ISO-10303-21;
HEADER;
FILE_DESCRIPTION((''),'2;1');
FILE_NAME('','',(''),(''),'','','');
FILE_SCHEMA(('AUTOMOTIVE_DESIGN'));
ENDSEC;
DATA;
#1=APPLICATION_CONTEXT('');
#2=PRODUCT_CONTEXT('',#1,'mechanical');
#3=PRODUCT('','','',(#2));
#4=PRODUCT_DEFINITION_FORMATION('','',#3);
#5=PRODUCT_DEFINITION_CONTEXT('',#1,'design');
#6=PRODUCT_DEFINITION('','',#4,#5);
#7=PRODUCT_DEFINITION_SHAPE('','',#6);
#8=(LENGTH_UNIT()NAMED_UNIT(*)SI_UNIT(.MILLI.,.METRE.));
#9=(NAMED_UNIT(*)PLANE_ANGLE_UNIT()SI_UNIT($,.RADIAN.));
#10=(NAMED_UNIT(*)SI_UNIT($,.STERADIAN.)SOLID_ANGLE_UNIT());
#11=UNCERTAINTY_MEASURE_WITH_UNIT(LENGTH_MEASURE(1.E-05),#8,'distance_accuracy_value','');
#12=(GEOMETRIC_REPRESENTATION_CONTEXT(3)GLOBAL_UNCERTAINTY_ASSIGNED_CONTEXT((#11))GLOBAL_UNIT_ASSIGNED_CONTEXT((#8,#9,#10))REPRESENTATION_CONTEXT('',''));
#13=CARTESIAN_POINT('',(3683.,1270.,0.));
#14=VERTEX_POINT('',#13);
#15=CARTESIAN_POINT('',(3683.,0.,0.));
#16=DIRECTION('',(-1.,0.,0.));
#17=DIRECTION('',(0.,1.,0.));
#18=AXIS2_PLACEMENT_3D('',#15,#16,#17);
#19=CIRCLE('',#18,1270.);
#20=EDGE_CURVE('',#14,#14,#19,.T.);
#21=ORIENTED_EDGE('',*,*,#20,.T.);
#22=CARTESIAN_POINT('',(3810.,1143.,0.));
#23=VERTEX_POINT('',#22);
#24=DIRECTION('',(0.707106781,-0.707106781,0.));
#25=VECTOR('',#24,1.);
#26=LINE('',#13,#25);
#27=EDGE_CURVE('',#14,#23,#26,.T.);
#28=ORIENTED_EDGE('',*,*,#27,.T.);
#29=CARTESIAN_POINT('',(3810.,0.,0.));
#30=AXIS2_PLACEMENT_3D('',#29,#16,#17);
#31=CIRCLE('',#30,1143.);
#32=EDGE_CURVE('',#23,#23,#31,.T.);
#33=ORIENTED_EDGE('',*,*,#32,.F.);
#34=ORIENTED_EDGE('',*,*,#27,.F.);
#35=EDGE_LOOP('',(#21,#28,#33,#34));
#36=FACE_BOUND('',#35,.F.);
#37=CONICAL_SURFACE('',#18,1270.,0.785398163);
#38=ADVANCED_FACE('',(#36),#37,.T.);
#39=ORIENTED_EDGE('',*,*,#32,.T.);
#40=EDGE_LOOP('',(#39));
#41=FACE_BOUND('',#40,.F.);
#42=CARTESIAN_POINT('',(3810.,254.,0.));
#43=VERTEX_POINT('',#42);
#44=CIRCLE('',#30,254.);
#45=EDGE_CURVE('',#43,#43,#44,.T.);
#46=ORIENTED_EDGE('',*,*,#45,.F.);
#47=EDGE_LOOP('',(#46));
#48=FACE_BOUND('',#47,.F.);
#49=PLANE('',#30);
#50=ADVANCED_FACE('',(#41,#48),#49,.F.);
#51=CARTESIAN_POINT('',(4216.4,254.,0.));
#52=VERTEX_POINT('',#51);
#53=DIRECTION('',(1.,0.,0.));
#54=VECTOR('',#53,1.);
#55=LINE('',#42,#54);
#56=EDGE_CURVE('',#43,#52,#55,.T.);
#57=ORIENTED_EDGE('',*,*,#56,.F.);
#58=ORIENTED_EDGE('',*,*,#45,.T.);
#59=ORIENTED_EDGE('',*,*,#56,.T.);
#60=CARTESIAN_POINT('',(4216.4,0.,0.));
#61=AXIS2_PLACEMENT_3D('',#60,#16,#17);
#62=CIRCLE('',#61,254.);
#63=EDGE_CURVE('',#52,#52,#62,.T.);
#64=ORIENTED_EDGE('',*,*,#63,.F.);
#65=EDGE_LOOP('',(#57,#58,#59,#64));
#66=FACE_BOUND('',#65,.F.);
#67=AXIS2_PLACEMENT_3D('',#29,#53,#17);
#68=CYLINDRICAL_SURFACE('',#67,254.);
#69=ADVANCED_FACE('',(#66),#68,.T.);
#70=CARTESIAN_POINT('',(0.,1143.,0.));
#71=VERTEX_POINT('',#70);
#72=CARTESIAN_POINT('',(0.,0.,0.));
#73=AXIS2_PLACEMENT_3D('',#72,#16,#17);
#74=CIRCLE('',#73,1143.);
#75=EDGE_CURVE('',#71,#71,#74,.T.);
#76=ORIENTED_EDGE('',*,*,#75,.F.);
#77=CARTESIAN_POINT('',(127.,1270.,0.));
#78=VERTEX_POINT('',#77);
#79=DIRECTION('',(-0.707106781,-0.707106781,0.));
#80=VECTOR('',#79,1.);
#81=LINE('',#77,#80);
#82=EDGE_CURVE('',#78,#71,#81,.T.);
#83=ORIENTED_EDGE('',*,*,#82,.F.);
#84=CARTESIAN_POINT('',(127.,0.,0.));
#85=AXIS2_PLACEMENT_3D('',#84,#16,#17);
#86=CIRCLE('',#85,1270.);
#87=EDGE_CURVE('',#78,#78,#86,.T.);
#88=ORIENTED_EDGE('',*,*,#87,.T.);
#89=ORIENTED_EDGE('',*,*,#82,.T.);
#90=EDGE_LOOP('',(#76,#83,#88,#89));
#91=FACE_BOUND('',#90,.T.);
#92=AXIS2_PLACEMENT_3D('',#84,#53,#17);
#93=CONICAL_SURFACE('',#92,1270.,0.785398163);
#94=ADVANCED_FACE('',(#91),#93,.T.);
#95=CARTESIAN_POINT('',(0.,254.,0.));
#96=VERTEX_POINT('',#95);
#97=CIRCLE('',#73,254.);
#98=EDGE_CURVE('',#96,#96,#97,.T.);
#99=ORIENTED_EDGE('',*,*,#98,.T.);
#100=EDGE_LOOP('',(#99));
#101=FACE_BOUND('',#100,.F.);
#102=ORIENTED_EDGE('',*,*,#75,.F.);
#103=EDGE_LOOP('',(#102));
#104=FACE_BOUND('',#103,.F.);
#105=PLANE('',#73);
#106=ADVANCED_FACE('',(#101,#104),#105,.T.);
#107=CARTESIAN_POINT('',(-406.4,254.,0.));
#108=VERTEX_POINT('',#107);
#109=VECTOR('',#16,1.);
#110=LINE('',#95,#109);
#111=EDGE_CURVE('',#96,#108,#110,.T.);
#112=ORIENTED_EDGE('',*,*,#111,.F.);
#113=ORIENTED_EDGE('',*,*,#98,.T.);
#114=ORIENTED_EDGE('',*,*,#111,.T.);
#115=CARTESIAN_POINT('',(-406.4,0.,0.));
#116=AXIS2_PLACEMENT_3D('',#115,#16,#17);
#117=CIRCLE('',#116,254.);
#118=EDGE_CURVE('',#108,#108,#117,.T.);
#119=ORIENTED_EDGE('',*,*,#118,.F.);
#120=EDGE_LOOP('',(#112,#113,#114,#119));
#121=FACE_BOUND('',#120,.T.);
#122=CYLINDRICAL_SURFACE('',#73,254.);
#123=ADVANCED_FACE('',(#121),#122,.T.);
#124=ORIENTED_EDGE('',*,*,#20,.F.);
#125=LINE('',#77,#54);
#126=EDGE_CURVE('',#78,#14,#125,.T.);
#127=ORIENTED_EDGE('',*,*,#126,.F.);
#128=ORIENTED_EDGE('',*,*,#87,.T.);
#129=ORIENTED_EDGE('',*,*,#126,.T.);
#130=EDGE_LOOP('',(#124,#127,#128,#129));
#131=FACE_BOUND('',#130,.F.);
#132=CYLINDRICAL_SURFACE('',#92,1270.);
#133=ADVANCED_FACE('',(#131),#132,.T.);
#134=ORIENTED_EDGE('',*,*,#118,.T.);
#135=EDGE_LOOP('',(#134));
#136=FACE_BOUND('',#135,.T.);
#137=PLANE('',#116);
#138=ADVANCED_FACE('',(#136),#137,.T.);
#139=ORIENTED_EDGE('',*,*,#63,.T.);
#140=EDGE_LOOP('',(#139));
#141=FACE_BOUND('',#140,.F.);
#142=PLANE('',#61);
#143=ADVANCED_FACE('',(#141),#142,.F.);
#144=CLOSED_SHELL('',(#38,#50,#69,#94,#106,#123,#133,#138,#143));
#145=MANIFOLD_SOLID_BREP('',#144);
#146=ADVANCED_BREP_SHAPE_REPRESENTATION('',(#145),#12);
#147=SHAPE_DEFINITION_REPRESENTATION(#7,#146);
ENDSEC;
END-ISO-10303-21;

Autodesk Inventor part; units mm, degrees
ref_plane "YZ Plane" through (0, 0, 0) normal (1, 0, 0) x (0, 1, 0)
ref_plane "XZ Plane" through (0, 0, 0) normal (0, 1, 0) x (-1, 0, 0)
ref_plane "XY Plane" through (0, 0, 0) normal (0, 0, 1) x (1, 0, 0)
sketch "草圖1" plane through (0, 0, 0) normal (0, 0, 1) x (1, 0, 0)
  line L0 (0, 0) -> (0, 1143)
  line L1 (127, 1270) -> (3683, 1270)
  line L2 (3810, 1143) -> (3810, 0)
  line L3 (3810, 0) -> (0, 0)
  line L4 (3810, 0) -> (3810, 254)
  line L5 (3810, 254) -> (4216.4, 254)
  line L6 (4216.4, 254) -> (4216.4, 0)
  line L7 (4216.4, 0) -> (3810, 0)
  line L8 (0, 0) -> (0, 254)
  line L9 (0, 254) -> (-406.4, 254)
  line L10 (-406.4, 254) -> (-406.4, 0)
  line L11 (-406.4, 0) -> (0, 0)
  line L12 (3.175, 1270) -> (0, 1266.825)
  line L13 (127, 1270) -> (0, 1143)
  line L14 (3683, 1270) -> (3810, 1143)
  point P0 (0, 1270)
  point P1 (3810, 1270)
  point P2 (0, 1270)
  dimension "d0" = 1270
  dimension "d1" = 3810
  dimension "d2" = 254
  dimension "d3" = 406.4
  dimension "d4" = 406.4
  dimension "d5" = 3.175
  dimension "d6" = 3.175
  dimension "d7" = 127
  dimension "d8" = 127
  dimension "d9" = 127
  dimension "d10" = 127
revolve "迴轉1" add sketch "草圖1" angle 360 about axis through (3810, 0, 0) along (-1, 0, 0)
equation "\"d6\" = d5"
equation "\"d8\" = d7"
equation "\"d9\" = d7"
equation "\"d10\" = d9"
